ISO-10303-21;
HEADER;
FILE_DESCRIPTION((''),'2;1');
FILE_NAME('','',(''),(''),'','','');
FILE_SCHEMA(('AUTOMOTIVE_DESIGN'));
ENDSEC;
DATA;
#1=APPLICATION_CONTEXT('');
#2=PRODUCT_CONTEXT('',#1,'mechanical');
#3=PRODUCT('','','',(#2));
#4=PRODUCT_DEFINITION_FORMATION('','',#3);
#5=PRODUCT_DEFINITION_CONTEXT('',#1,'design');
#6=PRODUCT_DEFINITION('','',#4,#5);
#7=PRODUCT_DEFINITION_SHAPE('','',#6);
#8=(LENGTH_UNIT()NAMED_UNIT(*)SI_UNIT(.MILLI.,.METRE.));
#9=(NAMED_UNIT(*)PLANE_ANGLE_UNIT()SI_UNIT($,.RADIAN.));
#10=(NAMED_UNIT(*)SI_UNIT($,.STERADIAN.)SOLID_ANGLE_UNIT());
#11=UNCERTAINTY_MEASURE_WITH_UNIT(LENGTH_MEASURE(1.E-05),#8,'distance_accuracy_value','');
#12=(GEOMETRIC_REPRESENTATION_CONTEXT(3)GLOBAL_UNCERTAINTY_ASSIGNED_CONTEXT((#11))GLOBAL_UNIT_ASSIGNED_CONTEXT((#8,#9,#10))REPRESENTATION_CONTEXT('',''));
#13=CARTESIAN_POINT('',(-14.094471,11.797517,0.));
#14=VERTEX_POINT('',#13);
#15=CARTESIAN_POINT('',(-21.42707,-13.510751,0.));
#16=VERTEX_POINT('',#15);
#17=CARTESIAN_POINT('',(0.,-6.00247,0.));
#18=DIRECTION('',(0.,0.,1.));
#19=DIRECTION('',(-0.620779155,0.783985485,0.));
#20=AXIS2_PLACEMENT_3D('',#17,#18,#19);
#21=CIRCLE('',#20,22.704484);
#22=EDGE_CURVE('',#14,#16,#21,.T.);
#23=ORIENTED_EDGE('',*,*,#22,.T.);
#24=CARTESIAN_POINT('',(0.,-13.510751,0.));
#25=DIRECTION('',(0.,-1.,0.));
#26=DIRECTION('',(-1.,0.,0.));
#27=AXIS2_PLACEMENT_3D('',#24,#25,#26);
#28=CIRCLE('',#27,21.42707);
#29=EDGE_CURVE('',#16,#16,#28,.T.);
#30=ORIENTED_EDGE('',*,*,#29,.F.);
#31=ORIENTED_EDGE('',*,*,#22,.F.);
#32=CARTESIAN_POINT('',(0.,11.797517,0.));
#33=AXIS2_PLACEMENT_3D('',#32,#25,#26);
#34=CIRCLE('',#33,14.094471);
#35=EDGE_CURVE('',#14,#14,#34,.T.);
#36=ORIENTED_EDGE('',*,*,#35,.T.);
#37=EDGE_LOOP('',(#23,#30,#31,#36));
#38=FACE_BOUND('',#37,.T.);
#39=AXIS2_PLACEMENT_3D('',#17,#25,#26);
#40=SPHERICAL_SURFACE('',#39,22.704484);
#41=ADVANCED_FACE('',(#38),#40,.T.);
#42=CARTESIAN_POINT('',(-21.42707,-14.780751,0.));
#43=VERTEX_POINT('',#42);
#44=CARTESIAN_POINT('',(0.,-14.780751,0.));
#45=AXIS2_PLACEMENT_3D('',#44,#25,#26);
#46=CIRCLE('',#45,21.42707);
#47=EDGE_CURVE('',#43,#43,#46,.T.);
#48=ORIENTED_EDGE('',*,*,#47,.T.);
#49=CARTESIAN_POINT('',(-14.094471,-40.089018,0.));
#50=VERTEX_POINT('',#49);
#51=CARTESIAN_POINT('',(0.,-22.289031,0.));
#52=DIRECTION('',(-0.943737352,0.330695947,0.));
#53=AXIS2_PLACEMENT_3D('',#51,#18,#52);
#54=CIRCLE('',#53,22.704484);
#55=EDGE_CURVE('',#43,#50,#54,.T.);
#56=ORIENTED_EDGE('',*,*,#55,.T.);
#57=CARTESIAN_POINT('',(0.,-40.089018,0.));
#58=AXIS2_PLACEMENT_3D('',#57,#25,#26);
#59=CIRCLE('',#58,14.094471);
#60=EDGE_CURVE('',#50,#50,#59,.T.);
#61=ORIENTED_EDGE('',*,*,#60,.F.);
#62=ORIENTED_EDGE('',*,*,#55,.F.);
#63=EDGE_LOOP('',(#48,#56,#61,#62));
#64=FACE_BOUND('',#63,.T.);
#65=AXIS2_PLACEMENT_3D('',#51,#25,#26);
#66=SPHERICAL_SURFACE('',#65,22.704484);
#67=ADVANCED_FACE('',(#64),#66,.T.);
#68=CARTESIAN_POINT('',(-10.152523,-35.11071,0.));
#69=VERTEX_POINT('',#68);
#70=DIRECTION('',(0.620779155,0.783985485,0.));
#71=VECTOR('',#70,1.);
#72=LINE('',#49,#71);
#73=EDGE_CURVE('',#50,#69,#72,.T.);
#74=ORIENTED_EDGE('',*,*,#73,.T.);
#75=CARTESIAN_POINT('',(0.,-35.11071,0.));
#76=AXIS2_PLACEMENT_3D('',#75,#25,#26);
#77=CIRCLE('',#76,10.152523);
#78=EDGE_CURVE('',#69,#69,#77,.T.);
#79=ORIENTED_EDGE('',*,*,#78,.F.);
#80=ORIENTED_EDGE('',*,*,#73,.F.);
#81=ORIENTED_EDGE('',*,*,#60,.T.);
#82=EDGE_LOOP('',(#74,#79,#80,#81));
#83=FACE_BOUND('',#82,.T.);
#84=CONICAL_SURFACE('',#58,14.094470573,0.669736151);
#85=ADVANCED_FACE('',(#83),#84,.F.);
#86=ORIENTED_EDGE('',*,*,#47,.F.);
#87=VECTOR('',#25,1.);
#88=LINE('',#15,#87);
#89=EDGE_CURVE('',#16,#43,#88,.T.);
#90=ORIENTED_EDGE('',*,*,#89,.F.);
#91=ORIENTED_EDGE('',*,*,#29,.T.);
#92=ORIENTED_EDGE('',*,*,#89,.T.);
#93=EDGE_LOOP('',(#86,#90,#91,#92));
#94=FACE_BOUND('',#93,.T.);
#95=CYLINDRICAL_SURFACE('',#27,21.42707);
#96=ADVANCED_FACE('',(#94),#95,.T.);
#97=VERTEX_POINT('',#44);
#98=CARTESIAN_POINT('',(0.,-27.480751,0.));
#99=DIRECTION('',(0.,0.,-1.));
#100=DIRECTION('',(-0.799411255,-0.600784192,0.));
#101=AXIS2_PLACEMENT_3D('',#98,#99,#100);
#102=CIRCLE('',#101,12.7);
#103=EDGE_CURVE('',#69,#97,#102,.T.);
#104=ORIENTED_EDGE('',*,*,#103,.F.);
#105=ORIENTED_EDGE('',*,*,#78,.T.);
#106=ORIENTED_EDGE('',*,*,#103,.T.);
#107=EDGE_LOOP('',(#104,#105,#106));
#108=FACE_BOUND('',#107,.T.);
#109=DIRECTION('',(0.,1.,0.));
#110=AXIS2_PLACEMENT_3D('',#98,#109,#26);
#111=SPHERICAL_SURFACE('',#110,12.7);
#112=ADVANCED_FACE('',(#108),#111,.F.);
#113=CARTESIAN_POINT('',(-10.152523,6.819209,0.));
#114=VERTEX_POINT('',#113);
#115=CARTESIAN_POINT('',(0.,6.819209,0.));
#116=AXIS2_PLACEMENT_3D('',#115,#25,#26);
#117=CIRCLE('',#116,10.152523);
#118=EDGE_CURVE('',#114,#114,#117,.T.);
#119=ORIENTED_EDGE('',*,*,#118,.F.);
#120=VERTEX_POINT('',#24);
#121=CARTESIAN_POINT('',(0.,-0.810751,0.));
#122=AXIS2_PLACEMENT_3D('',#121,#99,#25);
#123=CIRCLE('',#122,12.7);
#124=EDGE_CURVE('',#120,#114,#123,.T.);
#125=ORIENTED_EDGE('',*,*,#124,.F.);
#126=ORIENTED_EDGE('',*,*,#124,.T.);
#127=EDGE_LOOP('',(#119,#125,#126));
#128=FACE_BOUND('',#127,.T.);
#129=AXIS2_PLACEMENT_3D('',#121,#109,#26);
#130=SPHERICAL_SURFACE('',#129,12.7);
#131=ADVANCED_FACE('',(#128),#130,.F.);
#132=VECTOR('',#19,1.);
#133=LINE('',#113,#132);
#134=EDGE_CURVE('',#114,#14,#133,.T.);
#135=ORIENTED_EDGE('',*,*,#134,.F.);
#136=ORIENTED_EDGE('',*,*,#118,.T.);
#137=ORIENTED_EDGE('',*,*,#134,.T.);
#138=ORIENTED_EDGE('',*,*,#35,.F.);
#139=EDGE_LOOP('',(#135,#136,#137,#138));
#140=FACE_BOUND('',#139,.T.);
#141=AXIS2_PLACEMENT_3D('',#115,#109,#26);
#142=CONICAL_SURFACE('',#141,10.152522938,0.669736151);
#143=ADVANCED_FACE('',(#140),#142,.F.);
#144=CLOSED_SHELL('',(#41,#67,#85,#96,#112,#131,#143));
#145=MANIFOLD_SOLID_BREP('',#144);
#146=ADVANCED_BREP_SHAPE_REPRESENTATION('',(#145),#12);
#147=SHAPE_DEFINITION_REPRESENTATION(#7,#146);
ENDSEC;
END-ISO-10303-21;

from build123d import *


with BuildPart() as f1:
    # F0 (on Top) → F1 (revolve)
    with BuildSketch(Plane.XY):
        with BuildLine():
            ThreePointArc((0, -13.5107505449), (-11.3620086767, -6.4847930924), (-10.1525229381, 6.8192086943))
            ThreePointArc((-10.1525229381, 6.8192086943), (-15.9881985309, -2.5605712732), (-14.5291043663, -13.5107505449))
            Line((-14.5291043663, -13.5107505449), (0, -13.5107505449))
        make_face()
        with BuildLine():
            ThreePointArc((-14.5291043663, -13.5107505449), (-15.9881985309, -2.5605712732), (-10.1525229381, 6.8192086943))
            Line((-10.1525229381, 6.8192086943), (-14.0944705725, 11.7975165241))
            ThreePointArc((-14.0944705725, 11.7975165241), (-21.8076146048, 0.3158808225), (-21.4270698922, -13.5107505449))
            Line((-21.4270698922, -13.5107505449), (-14.5291043663, -13.5107505449))
        make_face()
        Polygon((0, -14.7807505449), (0, -13.5107505449), (-14.5291043663, -13.5107505449), (-21.4270698922, -13.5107505449), (-21.4270698922, -14.7807505449), (-14.5291043663, -14.7807505449), align=None)
        with BuildLine():
            ThreePointArc((-10.1525229381, -35.110709784), (-11.3620086767, -21.8067079973), (0, -14.7807505449))
            Line((0, -14.7807505449), (-14.5291043663, -14.7807505449))
            ThreePointArc((-14.5291043663, -14.7807505449), (-15.9881985309, -25.7309298165), (-10.1525229381, -35.110709784))
        make_face()
        with BuildLine():
            ThreePointArc((-10.1525229381, -35.110709784), (-15.9881985309, -25.7309298165), (-14.5291043663, -14.7807505449))
            Line((-14.5291043663, -14.7807505449), (-21.4270698922, -14.7807505449))
            ThreePointArc((-21.4270698922, -14.7807505449), (-21.8076146048, -28.6073819122), (-14.0944705725, -40.0890176138))
            Line((-14.0944705725, -40.0890176138), (-10.1525229381, -35.110709784))
        make_face()
    revolve(axis=Axis((0, -14.1457505449, 0), (0, -1, 0)))


solid = f1.part
